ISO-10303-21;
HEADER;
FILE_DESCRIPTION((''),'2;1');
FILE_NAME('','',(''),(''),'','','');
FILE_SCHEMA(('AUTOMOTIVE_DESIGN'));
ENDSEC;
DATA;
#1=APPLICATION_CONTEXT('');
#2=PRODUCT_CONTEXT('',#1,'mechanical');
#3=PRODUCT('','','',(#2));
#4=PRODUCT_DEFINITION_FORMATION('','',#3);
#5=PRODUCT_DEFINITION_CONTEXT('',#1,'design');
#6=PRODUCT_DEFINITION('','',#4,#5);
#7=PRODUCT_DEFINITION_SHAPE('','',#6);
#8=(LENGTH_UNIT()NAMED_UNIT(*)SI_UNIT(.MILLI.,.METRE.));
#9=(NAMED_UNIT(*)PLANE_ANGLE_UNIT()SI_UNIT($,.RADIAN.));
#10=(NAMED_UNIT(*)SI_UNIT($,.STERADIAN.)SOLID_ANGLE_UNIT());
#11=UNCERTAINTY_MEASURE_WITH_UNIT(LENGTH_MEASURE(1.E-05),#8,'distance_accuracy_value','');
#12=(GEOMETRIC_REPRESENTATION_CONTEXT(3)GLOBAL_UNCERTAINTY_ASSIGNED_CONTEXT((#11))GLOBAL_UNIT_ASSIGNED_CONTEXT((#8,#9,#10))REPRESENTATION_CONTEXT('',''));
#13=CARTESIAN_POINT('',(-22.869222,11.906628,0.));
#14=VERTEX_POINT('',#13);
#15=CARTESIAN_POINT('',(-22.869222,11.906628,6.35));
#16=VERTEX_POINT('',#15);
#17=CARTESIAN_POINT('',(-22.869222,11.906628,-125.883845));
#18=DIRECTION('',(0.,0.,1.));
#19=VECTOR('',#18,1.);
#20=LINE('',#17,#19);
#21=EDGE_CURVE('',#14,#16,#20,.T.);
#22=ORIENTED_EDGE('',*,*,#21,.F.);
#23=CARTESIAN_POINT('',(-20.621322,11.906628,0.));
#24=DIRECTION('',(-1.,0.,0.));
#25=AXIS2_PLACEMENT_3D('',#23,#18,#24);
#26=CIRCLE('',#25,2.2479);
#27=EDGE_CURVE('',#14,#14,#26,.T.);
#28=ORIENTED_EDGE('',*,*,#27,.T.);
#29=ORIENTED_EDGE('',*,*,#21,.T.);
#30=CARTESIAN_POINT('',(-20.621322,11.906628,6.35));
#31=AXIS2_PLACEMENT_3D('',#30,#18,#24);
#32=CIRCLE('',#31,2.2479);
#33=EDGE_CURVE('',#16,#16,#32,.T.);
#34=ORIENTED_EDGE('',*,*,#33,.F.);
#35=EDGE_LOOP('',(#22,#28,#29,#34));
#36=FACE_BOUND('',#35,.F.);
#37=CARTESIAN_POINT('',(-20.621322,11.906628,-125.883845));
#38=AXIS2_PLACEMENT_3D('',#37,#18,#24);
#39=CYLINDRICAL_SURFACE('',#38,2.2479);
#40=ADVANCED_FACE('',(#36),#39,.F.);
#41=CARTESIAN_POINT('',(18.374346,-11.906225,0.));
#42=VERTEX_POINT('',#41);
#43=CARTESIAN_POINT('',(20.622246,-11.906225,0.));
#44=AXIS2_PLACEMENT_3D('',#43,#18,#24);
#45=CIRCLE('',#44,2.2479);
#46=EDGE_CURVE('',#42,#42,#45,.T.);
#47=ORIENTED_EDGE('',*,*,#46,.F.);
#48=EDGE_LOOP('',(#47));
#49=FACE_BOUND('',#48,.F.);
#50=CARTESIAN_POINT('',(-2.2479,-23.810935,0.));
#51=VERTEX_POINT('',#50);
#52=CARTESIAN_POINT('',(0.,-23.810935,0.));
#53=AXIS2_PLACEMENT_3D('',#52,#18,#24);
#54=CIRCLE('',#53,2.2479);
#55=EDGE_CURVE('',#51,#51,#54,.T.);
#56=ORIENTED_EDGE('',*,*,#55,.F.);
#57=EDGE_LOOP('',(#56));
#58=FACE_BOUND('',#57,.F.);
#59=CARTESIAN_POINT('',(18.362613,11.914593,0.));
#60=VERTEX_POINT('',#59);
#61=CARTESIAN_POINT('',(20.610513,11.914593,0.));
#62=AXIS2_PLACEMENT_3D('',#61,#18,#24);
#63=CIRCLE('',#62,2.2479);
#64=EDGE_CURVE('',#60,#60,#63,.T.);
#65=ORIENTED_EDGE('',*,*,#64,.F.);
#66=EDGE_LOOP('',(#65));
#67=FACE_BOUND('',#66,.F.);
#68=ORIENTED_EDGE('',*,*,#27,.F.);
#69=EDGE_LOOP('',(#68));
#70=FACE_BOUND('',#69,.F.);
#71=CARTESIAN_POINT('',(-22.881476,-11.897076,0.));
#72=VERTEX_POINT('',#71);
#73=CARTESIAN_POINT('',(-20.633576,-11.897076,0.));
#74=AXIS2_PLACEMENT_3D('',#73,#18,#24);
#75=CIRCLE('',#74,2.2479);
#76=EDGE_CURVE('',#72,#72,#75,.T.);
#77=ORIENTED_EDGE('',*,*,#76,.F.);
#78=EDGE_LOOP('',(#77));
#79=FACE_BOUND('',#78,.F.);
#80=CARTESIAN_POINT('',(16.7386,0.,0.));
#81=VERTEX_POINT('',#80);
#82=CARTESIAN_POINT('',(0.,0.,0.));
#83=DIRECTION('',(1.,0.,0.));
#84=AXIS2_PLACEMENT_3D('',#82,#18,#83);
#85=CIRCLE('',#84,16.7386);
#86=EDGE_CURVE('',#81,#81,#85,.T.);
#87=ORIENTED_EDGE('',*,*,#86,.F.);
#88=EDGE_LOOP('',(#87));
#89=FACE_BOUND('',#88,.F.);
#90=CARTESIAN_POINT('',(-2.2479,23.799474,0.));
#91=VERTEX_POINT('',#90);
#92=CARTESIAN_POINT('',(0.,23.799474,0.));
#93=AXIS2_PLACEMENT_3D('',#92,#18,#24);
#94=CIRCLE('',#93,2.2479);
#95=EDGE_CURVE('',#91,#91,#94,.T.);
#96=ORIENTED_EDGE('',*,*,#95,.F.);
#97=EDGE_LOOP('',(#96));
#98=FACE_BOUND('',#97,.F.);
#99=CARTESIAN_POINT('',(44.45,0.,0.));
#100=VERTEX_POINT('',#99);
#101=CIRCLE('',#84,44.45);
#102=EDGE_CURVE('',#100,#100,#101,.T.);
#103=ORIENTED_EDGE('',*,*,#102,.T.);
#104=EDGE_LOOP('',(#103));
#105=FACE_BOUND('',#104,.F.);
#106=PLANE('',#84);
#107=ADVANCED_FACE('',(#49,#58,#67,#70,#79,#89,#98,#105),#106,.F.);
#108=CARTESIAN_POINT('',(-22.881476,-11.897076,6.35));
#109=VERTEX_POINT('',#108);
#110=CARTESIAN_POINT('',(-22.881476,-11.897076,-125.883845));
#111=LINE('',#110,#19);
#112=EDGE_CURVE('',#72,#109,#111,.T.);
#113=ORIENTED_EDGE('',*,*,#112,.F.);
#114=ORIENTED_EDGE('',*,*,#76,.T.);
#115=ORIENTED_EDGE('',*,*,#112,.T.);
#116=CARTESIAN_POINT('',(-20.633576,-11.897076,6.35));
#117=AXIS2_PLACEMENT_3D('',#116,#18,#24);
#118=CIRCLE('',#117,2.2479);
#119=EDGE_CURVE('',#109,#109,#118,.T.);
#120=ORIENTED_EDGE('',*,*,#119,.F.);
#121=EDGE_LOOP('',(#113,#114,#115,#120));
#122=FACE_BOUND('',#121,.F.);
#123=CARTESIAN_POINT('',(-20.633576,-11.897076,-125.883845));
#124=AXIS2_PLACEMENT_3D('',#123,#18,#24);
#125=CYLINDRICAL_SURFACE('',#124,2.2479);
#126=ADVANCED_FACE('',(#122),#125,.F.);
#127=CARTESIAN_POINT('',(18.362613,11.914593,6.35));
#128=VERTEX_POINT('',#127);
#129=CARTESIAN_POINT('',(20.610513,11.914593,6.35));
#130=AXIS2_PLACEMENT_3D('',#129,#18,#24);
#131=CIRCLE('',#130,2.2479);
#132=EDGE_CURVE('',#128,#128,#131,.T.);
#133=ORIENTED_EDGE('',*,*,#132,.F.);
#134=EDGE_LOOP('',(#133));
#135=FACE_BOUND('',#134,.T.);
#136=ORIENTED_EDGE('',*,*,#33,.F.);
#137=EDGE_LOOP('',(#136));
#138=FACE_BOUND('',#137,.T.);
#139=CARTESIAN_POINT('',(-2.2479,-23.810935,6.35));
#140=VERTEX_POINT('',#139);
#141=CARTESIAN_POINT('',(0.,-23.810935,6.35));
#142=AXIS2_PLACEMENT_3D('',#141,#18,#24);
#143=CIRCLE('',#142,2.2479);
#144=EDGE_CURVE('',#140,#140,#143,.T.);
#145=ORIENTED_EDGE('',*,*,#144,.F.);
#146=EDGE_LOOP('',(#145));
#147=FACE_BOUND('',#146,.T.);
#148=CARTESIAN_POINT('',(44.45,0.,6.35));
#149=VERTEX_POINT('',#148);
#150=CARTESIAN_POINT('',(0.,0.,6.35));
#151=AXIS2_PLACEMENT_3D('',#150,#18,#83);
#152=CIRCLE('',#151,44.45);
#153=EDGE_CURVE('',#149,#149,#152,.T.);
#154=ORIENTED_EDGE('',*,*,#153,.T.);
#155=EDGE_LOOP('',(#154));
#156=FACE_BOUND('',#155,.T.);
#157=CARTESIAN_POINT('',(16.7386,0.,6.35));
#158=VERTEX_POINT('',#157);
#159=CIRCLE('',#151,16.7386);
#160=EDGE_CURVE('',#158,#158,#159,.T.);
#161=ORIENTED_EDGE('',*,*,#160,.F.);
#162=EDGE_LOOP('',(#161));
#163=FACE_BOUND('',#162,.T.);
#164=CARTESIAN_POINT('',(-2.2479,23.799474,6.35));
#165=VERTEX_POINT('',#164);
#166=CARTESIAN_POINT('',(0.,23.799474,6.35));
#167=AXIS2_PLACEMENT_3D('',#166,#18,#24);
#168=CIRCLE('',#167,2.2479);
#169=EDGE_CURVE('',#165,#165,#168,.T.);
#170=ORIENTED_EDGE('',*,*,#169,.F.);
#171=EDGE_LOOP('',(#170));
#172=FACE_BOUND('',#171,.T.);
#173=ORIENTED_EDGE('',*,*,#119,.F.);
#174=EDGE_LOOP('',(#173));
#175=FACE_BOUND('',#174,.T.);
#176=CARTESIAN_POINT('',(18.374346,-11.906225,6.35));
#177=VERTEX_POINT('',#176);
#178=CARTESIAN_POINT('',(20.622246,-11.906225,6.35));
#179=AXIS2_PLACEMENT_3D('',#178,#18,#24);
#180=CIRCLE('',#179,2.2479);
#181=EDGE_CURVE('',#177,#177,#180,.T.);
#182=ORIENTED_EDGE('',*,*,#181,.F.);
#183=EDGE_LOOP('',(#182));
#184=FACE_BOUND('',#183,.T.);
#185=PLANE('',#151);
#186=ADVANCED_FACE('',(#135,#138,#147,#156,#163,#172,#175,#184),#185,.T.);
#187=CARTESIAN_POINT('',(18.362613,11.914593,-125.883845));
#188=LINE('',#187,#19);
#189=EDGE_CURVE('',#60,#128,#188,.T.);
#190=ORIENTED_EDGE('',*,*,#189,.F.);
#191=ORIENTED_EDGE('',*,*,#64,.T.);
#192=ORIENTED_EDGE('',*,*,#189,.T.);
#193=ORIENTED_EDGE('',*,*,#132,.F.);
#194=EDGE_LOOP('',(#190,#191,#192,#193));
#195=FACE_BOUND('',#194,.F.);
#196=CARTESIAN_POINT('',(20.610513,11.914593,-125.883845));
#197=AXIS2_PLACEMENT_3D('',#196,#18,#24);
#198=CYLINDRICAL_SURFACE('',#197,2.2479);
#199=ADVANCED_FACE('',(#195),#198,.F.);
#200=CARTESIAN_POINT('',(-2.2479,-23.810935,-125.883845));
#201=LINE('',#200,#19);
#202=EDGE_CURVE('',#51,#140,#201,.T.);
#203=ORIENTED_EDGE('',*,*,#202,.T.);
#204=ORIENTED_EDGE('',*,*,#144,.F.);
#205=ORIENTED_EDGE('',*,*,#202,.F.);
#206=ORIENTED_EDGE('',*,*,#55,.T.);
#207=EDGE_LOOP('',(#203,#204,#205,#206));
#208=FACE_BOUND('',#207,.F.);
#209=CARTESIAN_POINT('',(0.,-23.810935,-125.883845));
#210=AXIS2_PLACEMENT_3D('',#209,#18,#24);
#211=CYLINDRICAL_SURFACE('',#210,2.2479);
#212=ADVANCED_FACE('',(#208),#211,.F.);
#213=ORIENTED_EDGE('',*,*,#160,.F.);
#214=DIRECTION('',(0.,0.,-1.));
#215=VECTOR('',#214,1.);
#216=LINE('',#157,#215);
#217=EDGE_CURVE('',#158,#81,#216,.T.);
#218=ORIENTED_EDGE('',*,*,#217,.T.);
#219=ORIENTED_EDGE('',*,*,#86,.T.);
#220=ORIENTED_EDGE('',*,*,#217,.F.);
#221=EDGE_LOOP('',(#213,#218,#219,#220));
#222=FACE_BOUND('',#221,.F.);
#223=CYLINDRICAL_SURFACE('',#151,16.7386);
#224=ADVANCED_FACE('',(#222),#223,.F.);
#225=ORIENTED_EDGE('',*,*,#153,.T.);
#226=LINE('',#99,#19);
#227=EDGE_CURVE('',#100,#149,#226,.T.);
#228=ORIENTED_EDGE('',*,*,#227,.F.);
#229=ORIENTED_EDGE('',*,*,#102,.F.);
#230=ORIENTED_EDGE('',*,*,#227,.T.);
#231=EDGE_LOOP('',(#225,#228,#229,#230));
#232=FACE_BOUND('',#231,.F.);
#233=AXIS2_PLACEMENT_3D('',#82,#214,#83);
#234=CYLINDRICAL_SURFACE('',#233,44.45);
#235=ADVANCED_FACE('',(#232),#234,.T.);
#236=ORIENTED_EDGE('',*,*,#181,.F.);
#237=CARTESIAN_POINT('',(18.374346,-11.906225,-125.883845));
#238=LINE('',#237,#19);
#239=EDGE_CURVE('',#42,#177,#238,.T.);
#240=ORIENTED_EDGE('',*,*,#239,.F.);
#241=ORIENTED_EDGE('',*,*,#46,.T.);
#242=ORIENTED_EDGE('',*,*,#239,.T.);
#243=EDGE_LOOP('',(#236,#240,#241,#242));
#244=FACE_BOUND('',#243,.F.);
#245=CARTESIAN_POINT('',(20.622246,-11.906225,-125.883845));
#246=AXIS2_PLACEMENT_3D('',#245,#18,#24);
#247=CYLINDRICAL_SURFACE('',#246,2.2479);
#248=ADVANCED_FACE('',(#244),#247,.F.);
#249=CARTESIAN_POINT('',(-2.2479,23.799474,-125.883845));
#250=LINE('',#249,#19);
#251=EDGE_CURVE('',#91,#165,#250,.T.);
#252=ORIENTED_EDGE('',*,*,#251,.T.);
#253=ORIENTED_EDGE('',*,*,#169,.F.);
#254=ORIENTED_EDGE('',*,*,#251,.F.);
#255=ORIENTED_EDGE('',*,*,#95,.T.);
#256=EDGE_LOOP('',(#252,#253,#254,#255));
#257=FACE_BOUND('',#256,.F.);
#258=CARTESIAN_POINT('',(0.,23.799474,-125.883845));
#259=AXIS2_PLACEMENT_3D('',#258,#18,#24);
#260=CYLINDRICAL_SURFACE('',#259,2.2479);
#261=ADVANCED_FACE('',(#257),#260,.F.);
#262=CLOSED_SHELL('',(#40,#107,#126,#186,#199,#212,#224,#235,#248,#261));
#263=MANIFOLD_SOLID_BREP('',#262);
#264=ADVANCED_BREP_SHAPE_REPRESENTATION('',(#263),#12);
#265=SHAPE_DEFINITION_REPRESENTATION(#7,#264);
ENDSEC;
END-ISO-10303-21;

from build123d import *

# Parameters (mm, degrees)
F0_R     = 44.45
F1_DEPTH = 6.35
F2_R     = 16.7386
F3_DEPTH = 6.35
F10_D    = 4.4958
F11_D    = 4.4958
F12_D    = 4.4958
F13_D    = 4.4958
F14_D    = 4.4958
F15_D    = 4.4958


with BuildPart() as f1:
    # F0 (on Top) → F1 (new body)
    with BuildSketch(Plane.XY):
        Circle(F0_R)
    extrude(amount=F1_DEPTH)

    # F2 (on face) → F3 (cut)
    with BuildSketch(Plane.XY.offset(6.35)):
        Circle(F2_R)
    extrude(amount=-F3_DEPTH, mode=Mode.SUBTRACT)

    # F10 (through all)
    with Locations(Plane(origin=(0, 0, 0), x_dir=(1, 0, 0), z_dir=(0, 0, -1))):
        with Locations((0, -23.7994737715)):
            Hole(F10_D / 2)

    # F11 (through all)
    with Locations(Plane(origin=(0, 0, 0), x_dir=(1, 0, 0), z_dir=(0, 0, -1))):
        with Locations((-20.6213220954, -11.9066275656)):
            Hole(F11_D / 2)

    # F12 (through all)
    with Locations(Plane(origin=(0, 0, 0), x_dir=(1, 0, 0), z_dir=(0, 0, -1))):
        with Locations((20.6105131656, -11.9145931676)):
            Hole(F12_D / 2)

    # F13 (through all)
    with Locations(Plane(origin=(0, 0, 0), x_dir=(1, 0, 0), z_dir=(0, 0, -1))):
        with Locations((-20.6335756557, 11.8970761348)):
            Hole(F13_D / 2)

    # F14 (through all)
    with Locations(Plane(origin=(0, 0, 0), x_dir=(1, 0, 0), z_dir=(0, 0, -1))):
        with Locations((20.6222459674, 11.9062252343)):
            Hole(F14_D / 2)

    # F15 (through all)
    with Locations(Plane(origin=(0, 0, 0), x_dir=(1, 0, 0), z_dir=(0, 0, -1))):
        with Locations((0, 23.8109349498)):
            Hole(F15_D / 2)


solid = f1.part
